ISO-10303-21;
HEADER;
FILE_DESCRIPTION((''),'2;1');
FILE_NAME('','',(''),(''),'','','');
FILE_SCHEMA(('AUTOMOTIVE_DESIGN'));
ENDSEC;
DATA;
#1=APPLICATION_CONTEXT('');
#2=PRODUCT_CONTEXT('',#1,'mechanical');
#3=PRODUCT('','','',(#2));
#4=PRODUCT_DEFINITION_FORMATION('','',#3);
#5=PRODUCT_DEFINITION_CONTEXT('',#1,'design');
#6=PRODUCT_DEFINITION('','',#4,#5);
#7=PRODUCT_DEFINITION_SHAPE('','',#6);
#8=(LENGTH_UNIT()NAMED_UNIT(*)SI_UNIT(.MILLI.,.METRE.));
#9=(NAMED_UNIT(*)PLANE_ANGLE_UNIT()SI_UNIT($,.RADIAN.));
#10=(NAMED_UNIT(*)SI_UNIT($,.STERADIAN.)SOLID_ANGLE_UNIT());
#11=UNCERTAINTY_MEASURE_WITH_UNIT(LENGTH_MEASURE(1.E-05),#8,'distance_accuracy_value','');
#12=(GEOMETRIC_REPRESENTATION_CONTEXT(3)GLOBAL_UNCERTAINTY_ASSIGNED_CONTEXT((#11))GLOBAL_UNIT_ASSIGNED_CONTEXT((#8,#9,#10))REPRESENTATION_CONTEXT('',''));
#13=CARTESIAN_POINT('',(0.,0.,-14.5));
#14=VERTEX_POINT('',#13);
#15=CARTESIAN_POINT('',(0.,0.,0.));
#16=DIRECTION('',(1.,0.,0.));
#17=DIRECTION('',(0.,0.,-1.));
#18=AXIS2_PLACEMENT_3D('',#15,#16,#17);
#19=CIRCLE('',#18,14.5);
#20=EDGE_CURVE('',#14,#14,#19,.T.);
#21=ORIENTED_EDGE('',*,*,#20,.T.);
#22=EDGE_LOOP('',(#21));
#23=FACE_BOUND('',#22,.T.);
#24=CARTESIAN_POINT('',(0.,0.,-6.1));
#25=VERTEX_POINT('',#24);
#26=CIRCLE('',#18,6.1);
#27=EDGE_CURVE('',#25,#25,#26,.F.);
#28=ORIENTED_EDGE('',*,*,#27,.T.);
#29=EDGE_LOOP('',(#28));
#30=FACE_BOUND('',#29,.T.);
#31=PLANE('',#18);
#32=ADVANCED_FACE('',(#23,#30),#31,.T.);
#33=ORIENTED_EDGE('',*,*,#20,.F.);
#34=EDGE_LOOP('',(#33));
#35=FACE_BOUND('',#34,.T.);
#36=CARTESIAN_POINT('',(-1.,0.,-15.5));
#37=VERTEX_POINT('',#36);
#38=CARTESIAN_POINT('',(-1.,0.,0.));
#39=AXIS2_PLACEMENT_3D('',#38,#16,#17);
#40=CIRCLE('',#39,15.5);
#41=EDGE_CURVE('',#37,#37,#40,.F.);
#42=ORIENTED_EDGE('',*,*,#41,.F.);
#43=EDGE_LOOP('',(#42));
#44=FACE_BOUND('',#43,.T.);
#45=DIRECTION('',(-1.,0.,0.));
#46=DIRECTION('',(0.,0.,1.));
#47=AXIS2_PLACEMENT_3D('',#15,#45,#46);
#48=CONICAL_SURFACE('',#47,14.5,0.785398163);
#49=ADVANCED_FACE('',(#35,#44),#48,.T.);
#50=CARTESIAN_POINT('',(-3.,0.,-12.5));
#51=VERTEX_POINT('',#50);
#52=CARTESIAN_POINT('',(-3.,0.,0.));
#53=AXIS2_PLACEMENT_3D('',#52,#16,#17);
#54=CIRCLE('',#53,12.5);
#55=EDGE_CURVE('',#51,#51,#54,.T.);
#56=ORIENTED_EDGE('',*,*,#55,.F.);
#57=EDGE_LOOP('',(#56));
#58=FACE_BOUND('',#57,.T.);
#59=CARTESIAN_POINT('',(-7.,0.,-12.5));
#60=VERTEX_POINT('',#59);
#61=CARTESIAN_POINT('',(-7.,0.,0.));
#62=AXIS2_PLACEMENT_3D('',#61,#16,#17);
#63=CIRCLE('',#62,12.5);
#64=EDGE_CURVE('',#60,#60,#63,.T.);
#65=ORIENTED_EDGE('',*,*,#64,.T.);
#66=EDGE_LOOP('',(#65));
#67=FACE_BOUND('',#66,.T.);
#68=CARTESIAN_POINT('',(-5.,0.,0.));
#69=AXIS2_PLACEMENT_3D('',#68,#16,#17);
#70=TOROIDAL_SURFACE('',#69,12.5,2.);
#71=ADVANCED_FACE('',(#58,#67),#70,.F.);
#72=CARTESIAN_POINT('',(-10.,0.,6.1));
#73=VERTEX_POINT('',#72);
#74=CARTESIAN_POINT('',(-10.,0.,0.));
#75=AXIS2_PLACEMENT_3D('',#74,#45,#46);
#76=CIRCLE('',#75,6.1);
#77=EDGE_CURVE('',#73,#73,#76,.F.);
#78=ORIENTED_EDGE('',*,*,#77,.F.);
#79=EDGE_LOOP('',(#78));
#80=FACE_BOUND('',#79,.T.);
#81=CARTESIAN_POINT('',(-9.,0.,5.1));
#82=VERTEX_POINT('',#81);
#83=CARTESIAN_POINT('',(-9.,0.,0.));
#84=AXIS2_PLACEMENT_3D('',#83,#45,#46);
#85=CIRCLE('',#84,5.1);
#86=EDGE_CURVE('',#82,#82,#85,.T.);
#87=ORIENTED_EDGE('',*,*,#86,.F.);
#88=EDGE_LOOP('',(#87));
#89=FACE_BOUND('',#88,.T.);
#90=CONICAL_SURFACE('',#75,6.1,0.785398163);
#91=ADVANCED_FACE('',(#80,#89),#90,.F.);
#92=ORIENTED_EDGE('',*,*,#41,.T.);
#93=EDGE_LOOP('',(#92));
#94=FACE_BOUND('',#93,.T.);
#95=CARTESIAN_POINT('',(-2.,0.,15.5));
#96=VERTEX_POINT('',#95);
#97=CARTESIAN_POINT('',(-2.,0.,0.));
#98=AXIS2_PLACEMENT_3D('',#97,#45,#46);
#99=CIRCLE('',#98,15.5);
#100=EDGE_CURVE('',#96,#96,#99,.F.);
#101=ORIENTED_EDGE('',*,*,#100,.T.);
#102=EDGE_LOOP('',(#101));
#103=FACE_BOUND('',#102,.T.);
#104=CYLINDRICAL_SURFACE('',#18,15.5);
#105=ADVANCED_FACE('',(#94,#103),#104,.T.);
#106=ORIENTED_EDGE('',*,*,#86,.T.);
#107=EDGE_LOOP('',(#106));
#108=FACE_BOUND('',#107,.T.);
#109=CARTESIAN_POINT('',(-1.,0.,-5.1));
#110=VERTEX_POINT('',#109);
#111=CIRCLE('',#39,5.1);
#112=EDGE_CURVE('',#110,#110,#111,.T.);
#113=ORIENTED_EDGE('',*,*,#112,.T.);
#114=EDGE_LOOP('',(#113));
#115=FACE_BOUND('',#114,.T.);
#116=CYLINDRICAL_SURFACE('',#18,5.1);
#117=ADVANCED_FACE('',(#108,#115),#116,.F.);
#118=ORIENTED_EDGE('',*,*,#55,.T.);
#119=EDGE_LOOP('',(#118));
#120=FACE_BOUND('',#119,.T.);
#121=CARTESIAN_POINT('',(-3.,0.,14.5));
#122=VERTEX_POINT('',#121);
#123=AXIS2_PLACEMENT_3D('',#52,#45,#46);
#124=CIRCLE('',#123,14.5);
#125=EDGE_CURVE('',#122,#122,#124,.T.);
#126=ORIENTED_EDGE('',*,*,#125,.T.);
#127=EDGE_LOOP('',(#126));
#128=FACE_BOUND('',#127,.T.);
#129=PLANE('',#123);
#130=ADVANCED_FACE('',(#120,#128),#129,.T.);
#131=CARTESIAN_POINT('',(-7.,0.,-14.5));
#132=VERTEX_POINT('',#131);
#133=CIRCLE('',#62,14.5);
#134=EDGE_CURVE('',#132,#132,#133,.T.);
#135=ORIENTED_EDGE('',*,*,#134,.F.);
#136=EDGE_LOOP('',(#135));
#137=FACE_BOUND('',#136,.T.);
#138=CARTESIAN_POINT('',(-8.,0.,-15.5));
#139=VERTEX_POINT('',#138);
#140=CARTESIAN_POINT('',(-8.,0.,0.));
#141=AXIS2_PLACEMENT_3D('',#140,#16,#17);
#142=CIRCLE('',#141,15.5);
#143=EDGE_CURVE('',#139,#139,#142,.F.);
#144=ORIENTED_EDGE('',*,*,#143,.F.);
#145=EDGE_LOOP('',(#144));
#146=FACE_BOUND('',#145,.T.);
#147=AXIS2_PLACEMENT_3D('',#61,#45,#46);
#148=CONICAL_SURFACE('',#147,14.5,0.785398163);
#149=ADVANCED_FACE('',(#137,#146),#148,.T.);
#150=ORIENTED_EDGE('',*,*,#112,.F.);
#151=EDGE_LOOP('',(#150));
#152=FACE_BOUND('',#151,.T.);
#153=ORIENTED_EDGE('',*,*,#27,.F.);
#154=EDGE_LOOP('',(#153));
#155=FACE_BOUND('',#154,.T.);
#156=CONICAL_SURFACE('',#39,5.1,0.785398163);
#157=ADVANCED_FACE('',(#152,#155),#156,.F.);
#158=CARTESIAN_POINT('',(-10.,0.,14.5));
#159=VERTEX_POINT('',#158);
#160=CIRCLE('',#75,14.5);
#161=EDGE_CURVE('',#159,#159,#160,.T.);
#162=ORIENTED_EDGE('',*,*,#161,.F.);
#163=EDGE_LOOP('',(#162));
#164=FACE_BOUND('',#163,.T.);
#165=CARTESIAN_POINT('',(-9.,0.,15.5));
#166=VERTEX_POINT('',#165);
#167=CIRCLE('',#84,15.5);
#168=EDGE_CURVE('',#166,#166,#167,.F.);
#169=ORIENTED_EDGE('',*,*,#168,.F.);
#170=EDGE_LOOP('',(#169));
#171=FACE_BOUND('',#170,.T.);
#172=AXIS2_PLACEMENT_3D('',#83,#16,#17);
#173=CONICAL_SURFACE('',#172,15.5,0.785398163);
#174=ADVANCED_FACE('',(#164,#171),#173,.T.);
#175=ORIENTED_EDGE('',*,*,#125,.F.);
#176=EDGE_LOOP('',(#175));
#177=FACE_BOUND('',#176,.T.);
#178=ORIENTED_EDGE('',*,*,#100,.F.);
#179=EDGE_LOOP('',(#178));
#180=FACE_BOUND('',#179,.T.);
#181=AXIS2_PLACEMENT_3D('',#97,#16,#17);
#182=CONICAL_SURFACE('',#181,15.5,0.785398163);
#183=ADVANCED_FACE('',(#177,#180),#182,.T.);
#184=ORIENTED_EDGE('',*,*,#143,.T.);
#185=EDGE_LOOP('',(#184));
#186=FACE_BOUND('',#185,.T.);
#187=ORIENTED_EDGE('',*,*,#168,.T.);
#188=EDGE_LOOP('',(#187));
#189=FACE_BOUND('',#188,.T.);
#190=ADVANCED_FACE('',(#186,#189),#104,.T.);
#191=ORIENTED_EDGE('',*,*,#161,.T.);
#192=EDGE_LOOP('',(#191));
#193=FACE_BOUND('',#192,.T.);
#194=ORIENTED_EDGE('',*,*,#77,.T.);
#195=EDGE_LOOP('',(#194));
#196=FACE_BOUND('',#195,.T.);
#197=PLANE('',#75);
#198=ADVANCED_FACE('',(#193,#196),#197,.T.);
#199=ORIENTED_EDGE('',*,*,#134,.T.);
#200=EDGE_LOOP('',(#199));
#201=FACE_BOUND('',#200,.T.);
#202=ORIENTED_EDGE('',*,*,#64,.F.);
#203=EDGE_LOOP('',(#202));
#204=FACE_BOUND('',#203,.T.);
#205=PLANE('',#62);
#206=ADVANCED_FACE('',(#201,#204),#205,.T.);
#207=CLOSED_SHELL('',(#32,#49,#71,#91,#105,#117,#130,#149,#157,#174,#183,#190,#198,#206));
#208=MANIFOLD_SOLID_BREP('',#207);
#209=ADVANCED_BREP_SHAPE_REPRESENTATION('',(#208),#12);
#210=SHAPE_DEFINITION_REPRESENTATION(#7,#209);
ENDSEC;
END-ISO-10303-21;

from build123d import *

# Parameters (mm, degrees)
CHANFREIN1_SIZE = 1


with BuildPart() as part:
    # Esquisse1 → Révolution1 (revolve)
    with BuildSketch(Plane(origin=(0, 0, 0), x_dir=(0, 1, 0), z_dir=(0, 0, 1)), mode=Mode.PRIVATE) as r_volution1_sk:
        with BuildLine():
            Line((5.1, 10), (5.1, 0))
            Line((5.1, 0), (15.5, 0))
            Line((15.5, 0), (15.5, 3))
            Line((15.5, 3), (12.5, 3))
            ThreePointArc((12.5, 3), (10.5, 5), (12.5, 7))
            Line((12.5, 7), (15.5, 7))
            Line((15.5, 7), (15.5, 10))
            Line((15.5, 10), (5.1, 10))
        make_face()
    revolve(r_volution1_sk.sketch.rotate(Axis((0, 0, 0), (-1, 0, 0)), 90), axis=Axis((0, 0, 0), (-1, 0, 0)))

    # Chanfrein1
    chanfrein1_edges = [part.edges().sort_by_distance(p)[0] for p in [
        (-10, 0, 15.5),
        (-7, 0, 15.5),
        (-3, 0, 15.5),
        (0, 0, 15.5),
        (0, 0, 5.1),
        (-10, 0, 5.1),
    ]]
    chamfer(chanfrein1_edges, length=CHANFREIN1_SIZE)


solid = part.part
